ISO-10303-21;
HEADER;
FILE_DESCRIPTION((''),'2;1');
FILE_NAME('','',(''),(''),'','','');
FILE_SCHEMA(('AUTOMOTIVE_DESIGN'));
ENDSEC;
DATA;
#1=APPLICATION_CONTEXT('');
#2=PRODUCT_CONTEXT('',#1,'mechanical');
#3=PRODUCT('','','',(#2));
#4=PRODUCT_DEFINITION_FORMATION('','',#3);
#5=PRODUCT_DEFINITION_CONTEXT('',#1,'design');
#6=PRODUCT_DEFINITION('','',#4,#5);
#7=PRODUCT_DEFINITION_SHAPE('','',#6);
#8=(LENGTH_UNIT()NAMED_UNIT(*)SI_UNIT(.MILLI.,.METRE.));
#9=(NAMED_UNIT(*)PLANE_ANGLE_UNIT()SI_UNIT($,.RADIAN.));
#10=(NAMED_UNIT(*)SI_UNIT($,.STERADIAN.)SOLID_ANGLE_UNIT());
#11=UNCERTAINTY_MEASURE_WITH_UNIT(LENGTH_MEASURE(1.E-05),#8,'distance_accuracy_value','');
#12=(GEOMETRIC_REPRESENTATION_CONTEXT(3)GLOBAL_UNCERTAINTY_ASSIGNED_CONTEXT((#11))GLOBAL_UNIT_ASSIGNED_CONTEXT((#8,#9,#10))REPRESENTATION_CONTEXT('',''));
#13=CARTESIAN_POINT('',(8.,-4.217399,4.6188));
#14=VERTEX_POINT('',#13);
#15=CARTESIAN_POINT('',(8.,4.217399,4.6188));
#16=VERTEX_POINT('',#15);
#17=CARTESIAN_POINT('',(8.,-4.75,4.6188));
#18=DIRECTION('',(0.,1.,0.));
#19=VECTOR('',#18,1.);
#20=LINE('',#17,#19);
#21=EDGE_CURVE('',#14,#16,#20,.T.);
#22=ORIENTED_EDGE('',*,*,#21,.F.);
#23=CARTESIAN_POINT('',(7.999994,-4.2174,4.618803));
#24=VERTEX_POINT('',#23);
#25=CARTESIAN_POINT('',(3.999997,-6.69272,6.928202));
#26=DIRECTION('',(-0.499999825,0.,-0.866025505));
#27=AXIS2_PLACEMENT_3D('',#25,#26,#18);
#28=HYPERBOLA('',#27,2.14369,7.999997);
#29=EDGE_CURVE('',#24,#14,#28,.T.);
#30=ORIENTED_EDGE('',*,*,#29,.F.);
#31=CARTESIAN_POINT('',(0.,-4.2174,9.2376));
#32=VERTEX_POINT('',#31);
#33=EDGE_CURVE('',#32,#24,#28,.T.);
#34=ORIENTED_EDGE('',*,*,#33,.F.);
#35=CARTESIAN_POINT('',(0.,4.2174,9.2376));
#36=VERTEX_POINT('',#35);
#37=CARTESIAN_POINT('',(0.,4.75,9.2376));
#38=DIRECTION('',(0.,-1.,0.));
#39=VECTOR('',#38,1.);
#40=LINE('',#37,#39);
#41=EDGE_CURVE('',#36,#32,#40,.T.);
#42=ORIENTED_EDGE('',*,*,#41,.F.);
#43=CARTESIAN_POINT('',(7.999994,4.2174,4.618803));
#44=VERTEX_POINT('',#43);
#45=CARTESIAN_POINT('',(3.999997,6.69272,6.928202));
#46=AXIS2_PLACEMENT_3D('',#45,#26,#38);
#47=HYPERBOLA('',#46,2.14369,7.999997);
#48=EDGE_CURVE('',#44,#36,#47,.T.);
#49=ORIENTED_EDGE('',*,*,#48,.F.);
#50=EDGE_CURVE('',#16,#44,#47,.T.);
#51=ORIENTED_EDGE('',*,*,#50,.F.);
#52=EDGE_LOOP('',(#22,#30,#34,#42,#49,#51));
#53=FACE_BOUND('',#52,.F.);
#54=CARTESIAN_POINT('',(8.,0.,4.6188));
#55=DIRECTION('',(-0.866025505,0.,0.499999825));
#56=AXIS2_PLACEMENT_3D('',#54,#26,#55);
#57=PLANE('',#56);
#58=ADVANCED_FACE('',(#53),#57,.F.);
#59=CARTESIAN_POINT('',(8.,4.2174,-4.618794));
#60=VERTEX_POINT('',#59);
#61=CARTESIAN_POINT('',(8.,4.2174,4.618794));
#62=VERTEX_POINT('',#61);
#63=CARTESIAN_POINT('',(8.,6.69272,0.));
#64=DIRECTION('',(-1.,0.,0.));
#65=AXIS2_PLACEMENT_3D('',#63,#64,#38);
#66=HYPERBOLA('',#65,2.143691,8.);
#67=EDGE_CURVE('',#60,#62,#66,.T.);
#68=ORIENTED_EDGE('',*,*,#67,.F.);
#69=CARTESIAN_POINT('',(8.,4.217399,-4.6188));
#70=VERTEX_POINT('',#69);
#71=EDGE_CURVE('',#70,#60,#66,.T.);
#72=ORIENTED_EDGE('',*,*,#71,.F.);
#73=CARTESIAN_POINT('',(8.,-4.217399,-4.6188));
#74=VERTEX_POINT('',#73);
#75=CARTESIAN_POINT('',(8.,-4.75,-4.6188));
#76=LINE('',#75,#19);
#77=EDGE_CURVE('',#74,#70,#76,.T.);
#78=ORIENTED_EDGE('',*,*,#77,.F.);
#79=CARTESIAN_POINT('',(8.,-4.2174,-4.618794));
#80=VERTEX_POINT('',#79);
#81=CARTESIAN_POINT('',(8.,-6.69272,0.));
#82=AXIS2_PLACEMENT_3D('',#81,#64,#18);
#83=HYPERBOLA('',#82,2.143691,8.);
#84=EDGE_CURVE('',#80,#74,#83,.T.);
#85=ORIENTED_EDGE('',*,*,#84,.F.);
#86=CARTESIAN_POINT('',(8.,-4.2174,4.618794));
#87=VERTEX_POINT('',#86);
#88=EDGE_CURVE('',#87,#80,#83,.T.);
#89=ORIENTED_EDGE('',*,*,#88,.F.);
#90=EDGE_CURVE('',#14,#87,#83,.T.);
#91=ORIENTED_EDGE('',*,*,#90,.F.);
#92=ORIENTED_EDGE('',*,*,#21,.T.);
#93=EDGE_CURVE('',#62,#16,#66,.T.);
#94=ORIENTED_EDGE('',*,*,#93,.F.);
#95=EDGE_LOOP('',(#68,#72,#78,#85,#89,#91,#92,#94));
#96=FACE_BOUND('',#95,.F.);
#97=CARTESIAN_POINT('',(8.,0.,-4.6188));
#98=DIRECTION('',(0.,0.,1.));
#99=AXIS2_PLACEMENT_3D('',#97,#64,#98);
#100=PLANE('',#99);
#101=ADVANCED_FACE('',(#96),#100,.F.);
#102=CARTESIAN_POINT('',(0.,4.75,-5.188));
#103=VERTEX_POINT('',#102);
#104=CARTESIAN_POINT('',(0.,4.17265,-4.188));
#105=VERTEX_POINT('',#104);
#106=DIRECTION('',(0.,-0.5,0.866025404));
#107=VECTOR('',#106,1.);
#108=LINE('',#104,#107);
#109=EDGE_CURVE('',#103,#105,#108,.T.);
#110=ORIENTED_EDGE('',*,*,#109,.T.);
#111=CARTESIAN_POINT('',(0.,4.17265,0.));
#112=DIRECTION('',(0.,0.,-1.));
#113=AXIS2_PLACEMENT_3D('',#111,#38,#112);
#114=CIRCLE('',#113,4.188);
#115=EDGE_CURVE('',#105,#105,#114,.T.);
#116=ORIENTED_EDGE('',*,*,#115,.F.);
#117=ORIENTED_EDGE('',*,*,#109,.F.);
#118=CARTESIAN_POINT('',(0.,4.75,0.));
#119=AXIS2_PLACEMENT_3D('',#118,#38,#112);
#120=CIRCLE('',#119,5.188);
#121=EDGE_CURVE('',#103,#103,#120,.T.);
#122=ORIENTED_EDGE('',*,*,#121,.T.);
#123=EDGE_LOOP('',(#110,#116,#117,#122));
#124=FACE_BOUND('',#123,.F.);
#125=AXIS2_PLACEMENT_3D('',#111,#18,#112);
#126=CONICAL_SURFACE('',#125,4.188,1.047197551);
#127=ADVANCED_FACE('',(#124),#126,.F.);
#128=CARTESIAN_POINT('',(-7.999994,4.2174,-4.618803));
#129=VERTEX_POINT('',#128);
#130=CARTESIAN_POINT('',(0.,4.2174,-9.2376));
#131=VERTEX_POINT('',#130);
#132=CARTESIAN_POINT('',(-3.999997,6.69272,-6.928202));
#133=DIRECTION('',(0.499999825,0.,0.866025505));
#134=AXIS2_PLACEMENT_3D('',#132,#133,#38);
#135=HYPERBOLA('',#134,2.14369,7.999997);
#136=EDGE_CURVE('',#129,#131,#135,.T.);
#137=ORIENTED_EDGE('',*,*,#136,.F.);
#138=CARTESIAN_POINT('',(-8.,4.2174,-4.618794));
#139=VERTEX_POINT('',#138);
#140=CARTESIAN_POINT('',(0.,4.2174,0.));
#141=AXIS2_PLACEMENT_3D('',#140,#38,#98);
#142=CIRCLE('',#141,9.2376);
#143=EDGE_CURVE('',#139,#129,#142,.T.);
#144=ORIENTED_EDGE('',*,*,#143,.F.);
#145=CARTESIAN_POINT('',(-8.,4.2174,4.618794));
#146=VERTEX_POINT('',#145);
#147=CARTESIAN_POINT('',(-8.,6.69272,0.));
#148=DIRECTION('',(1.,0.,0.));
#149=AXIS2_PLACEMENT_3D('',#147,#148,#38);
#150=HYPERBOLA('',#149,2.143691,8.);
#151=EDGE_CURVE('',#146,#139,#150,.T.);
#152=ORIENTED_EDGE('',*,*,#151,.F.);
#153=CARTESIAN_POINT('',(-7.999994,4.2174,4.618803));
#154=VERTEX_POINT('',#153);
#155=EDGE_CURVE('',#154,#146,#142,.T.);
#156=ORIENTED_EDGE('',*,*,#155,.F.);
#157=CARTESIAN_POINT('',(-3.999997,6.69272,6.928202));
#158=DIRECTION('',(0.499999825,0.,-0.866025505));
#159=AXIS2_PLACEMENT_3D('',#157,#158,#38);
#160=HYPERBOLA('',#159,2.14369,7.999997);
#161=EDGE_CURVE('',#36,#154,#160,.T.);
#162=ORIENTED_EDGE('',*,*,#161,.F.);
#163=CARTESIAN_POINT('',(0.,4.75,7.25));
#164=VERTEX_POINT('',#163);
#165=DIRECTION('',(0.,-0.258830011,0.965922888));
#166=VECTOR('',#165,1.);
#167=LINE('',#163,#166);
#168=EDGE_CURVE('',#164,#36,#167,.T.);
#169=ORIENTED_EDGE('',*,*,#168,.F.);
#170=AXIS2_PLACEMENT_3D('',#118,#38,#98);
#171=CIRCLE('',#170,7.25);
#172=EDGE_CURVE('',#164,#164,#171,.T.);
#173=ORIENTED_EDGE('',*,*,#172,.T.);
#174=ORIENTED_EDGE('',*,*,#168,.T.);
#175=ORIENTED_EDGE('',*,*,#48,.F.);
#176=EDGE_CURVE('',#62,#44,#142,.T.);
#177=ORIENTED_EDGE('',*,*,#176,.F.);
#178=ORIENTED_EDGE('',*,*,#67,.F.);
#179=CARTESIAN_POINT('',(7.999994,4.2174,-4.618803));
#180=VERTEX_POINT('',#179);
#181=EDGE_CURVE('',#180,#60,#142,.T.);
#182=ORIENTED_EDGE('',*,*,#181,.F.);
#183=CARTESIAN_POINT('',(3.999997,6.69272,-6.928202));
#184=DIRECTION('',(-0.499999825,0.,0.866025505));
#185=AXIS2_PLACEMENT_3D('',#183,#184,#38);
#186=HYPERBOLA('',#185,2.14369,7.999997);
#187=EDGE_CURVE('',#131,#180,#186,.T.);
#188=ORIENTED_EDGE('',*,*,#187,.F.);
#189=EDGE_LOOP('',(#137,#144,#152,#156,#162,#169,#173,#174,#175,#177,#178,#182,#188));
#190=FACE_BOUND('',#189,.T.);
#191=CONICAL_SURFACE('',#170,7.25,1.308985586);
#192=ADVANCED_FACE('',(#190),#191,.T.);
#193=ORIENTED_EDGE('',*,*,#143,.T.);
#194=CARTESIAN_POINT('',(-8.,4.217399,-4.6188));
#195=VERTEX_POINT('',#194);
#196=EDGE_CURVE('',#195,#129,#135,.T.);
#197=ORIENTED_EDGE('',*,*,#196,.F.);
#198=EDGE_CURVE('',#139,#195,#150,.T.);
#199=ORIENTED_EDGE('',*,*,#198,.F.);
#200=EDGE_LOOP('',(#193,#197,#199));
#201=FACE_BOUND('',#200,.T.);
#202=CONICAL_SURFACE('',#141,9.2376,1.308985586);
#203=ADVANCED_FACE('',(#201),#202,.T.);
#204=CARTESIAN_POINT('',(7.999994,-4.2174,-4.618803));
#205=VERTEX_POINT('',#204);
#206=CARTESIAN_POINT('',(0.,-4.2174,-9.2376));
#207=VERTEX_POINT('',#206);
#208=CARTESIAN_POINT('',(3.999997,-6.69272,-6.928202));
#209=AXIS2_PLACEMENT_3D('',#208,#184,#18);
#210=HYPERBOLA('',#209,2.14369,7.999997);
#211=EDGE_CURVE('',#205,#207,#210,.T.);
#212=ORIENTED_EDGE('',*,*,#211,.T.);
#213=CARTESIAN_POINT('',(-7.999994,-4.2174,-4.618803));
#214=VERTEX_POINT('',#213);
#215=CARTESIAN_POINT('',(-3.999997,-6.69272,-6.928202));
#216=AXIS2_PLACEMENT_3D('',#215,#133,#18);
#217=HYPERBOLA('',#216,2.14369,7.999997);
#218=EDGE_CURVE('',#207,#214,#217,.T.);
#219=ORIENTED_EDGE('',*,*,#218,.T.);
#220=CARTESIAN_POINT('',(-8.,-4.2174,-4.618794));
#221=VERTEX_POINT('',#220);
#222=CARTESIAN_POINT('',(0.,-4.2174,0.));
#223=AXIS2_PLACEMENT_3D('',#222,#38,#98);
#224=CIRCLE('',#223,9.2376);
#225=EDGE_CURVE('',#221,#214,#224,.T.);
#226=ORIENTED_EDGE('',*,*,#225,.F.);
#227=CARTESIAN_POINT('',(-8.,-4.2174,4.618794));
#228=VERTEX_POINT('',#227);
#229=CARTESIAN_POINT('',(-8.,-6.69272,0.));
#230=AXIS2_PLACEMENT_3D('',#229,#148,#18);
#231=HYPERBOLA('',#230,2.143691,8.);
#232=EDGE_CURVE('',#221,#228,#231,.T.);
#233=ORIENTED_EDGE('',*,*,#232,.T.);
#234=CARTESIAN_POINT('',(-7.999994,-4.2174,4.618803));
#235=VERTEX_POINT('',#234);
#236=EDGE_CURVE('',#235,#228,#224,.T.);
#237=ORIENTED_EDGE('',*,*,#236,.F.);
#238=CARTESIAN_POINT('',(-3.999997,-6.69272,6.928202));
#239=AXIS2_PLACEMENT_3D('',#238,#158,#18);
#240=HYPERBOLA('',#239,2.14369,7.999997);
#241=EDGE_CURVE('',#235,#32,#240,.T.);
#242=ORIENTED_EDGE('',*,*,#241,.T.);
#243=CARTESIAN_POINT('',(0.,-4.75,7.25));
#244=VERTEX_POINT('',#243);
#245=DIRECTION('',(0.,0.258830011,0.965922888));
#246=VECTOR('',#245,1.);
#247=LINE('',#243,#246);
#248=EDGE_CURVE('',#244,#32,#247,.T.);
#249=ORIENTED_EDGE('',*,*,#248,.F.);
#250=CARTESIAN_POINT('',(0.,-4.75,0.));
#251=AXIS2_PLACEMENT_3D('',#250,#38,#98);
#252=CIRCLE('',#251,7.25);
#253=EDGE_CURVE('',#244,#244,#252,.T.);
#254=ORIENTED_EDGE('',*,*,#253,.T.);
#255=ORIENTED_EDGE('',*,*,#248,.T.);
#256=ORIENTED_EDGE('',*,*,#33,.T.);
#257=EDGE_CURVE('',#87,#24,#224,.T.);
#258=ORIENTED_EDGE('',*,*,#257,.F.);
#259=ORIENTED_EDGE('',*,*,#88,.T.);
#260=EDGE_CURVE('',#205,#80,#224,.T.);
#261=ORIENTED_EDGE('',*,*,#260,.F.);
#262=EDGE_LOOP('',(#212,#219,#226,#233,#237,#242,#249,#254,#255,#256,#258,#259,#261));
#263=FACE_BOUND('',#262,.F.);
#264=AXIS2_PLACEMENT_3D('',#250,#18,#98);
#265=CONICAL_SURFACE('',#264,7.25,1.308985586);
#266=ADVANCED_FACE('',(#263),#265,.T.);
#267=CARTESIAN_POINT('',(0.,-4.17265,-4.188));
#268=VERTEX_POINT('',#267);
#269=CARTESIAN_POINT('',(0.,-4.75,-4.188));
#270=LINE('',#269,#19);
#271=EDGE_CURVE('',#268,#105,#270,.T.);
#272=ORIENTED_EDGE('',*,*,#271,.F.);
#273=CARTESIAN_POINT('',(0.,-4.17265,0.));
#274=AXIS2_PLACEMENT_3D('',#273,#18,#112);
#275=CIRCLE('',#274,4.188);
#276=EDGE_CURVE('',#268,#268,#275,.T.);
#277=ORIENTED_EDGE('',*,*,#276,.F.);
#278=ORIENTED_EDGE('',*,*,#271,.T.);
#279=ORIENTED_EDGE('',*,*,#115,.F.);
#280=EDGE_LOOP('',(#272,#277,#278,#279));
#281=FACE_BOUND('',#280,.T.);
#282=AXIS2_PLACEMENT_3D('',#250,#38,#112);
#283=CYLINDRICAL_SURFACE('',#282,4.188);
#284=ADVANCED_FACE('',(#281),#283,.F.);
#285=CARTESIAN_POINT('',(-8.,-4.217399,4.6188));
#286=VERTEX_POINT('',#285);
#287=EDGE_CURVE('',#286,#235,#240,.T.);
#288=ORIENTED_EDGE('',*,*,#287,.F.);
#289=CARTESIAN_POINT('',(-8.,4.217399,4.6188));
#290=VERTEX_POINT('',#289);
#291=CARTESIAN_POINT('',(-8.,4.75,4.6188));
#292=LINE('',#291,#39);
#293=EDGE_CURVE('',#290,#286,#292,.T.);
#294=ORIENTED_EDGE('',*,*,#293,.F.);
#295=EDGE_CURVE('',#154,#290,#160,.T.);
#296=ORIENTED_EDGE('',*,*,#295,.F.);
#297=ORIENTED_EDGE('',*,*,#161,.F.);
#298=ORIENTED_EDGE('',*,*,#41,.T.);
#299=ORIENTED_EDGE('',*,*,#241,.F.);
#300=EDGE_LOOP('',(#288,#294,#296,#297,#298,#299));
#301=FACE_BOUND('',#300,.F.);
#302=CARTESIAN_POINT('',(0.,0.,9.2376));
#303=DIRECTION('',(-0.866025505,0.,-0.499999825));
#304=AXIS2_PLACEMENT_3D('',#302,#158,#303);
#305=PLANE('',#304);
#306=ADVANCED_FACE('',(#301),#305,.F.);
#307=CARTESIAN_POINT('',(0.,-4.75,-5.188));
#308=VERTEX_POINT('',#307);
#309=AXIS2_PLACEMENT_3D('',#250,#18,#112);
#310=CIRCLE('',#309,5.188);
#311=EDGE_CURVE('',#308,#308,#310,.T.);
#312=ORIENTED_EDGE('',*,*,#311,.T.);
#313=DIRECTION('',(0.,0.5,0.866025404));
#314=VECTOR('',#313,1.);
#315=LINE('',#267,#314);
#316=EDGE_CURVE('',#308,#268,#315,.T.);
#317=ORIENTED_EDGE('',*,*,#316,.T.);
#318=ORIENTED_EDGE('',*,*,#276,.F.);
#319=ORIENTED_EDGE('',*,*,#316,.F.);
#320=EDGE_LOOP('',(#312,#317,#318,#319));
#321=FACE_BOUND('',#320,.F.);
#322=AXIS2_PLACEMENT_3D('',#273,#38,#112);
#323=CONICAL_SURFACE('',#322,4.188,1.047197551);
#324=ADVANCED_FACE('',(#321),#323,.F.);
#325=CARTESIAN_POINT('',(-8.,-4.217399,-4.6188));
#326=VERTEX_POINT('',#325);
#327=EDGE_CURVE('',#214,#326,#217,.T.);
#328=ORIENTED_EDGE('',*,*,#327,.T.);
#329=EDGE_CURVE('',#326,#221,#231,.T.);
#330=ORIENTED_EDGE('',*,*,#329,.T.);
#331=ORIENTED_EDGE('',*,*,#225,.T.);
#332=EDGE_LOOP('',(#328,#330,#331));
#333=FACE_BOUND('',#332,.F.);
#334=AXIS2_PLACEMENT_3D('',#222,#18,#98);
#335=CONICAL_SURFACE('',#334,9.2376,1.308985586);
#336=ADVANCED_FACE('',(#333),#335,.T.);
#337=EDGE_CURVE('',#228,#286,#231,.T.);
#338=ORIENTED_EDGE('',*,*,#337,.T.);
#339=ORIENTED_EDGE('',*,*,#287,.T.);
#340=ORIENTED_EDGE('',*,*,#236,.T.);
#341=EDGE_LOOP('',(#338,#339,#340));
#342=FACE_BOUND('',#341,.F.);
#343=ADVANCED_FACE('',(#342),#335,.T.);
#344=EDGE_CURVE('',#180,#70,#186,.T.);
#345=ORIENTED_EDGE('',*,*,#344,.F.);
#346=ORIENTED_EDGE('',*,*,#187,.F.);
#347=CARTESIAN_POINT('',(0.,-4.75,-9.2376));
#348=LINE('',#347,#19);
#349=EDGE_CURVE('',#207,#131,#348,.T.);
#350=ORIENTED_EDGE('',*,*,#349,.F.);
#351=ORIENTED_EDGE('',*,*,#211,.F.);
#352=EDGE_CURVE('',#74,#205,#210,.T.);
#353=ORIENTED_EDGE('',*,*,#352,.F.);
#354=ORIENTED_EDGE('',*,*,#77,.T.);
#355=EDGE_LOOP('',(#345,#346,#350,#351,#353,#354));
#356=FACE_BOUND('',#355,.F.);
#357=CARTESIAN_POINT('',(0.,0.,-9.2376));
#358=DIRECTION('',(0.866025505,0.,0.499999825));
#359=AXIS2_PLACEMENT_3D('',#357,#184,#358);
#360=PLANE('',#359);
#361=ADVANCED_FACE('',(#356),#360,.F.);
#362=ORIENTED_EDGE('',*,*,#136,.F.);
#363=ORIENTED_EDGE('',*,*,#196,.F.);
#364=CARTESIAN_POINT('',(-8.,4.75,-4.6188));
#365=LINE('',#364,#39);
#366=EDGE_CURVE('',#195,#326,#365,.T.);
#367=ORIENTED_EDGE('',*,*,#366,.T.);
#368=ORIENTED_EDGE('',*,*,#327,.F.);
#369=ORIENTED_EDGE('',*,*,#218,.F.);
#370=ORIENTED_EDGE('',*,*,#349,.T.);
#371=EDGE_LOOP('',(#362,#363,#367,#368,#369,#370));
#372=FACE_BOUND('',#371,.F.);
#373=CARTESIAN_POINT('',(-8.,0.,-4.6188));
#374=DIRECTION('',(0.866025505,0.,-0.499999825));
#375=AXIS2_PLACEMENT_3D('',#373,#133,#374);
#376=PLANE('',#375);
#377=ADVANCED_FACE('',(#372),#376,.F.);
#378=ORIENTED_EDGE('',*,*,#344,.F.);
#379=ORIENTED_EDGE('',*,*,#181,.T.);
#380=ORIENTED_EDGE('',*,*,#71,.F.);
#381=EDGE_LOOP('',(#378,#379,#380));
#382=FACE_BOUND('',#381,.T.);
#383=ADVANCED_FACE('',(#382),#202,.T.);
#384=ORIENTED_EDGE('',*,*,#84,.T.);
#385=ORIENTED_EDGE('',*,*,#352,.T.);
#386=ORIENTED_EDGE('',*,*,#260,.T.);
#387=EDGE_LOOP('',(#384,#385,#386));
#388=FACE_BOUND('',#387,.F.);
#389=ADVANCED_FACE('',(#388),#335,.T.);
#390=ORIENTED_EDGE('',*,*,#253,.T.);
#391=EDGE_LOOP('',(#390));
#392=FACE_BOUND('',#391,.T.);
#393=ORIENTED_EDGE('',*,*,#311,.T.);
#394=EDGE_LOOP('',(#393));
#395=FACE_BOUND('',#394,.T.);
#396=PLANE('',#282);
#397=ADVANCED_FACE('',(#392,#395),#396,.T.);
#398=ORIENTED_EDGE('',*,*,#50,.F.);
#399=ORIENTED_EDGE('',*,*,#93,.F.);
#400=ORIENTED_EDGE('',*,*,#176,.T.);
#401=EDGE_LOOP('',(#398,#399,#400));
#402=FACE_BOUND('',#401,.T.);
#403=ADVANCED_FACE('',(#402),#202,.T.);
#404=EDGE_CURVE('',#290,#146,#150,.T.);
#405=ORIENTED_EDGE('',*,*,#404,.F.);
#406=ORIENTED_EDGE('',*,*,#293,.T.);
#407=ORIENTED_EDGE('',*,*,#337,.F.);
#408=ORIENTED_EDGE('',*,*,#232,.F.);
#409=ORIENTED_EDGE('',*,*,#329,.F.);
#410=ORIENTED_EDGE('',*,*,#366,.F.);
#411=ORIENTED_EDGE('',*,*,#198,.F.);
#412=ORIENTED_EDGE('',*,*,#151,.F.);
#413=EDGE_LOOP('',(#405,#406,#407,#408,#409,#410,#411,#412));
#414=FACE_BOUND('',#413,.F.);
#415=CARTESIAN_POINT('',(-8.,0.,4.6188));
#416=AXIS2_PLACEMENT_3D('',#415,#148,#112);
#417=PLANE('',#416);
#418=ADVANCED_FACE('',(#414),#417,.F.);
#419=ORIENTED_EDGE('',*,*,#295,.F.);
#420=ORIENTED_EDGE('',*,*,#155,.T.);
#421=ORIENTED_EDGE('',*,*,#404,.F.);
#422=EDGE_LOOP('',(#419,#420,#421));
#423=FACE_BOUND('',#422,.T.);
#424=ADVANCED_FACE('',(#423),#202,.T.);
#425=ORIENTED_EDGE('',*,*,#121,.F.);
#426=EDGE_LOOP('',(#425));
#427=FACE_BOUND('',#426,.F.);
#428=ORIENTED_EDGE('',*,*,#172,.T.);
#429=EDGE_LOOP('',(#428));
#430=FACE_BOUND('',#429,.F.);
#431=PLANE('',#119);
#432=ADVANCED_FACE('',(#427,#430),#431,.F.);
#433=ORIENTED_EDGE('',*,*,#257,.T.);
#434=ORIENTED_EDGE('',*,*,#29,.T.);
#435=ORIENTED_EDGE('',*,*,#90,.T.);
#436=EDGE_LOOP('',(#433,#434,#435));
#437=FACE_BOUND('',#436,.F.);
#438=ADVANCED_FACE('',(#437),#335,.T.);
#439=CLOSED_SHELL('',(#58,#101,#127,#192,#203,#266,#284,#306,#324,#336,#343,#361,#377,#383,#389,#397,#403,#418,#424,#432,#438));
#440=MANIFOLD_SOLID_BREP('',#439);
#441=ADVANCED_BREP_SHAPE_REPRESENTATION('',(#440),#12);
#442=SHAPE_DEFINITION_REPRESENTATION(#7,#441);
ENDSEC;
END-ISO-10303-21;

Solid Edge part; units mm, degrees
sketch "Sketch1" plane through (0, 0, 0) normal (0, -1, 0) x (1, 0, 0)
  line L0 (8, 4.6188) -> (0, 9.2376)
  line L1 (0, 9.2376) -> (-8, 4.6188)
  line L2 (-8, 4.6188) -> (-8, -4.6188)
  line L3 (-8, -4.6188) -> (0, -9.2376)
  line L4 (0, -9.2376) -> (8, -4.6188)
  line L5 (8, -4.6188) -> (8, 4.6188)
extrude "Protrusion1" add sketch "Sketch1" along normal mid plane 9.5
sketch "Sketch2" plane through (0, 0, 0) normal (1, 0, 0) x (0, 1, 0)
  line L0 (-4.75, 7.25) -> (-4.2174, 9.2376)
revolve "RevolvedCutout1" cut sketch "Sketch2" angle 360 about axis through (0, 0, 0) along (0, -1, 0) material side at (0, -4.532, 8.2567)
mirror "Mirror1" about plane through (0, 0, 0) normal (0, -1, 0) of "RevolvedCutout1"
hole "孔_7" at (0, -4.75, 0) direction (0, 1, 0) diameter 8.376 end up to next start chamfer 1 start chamfer angle 60 end chamfer 1 end chamfer angle 60
